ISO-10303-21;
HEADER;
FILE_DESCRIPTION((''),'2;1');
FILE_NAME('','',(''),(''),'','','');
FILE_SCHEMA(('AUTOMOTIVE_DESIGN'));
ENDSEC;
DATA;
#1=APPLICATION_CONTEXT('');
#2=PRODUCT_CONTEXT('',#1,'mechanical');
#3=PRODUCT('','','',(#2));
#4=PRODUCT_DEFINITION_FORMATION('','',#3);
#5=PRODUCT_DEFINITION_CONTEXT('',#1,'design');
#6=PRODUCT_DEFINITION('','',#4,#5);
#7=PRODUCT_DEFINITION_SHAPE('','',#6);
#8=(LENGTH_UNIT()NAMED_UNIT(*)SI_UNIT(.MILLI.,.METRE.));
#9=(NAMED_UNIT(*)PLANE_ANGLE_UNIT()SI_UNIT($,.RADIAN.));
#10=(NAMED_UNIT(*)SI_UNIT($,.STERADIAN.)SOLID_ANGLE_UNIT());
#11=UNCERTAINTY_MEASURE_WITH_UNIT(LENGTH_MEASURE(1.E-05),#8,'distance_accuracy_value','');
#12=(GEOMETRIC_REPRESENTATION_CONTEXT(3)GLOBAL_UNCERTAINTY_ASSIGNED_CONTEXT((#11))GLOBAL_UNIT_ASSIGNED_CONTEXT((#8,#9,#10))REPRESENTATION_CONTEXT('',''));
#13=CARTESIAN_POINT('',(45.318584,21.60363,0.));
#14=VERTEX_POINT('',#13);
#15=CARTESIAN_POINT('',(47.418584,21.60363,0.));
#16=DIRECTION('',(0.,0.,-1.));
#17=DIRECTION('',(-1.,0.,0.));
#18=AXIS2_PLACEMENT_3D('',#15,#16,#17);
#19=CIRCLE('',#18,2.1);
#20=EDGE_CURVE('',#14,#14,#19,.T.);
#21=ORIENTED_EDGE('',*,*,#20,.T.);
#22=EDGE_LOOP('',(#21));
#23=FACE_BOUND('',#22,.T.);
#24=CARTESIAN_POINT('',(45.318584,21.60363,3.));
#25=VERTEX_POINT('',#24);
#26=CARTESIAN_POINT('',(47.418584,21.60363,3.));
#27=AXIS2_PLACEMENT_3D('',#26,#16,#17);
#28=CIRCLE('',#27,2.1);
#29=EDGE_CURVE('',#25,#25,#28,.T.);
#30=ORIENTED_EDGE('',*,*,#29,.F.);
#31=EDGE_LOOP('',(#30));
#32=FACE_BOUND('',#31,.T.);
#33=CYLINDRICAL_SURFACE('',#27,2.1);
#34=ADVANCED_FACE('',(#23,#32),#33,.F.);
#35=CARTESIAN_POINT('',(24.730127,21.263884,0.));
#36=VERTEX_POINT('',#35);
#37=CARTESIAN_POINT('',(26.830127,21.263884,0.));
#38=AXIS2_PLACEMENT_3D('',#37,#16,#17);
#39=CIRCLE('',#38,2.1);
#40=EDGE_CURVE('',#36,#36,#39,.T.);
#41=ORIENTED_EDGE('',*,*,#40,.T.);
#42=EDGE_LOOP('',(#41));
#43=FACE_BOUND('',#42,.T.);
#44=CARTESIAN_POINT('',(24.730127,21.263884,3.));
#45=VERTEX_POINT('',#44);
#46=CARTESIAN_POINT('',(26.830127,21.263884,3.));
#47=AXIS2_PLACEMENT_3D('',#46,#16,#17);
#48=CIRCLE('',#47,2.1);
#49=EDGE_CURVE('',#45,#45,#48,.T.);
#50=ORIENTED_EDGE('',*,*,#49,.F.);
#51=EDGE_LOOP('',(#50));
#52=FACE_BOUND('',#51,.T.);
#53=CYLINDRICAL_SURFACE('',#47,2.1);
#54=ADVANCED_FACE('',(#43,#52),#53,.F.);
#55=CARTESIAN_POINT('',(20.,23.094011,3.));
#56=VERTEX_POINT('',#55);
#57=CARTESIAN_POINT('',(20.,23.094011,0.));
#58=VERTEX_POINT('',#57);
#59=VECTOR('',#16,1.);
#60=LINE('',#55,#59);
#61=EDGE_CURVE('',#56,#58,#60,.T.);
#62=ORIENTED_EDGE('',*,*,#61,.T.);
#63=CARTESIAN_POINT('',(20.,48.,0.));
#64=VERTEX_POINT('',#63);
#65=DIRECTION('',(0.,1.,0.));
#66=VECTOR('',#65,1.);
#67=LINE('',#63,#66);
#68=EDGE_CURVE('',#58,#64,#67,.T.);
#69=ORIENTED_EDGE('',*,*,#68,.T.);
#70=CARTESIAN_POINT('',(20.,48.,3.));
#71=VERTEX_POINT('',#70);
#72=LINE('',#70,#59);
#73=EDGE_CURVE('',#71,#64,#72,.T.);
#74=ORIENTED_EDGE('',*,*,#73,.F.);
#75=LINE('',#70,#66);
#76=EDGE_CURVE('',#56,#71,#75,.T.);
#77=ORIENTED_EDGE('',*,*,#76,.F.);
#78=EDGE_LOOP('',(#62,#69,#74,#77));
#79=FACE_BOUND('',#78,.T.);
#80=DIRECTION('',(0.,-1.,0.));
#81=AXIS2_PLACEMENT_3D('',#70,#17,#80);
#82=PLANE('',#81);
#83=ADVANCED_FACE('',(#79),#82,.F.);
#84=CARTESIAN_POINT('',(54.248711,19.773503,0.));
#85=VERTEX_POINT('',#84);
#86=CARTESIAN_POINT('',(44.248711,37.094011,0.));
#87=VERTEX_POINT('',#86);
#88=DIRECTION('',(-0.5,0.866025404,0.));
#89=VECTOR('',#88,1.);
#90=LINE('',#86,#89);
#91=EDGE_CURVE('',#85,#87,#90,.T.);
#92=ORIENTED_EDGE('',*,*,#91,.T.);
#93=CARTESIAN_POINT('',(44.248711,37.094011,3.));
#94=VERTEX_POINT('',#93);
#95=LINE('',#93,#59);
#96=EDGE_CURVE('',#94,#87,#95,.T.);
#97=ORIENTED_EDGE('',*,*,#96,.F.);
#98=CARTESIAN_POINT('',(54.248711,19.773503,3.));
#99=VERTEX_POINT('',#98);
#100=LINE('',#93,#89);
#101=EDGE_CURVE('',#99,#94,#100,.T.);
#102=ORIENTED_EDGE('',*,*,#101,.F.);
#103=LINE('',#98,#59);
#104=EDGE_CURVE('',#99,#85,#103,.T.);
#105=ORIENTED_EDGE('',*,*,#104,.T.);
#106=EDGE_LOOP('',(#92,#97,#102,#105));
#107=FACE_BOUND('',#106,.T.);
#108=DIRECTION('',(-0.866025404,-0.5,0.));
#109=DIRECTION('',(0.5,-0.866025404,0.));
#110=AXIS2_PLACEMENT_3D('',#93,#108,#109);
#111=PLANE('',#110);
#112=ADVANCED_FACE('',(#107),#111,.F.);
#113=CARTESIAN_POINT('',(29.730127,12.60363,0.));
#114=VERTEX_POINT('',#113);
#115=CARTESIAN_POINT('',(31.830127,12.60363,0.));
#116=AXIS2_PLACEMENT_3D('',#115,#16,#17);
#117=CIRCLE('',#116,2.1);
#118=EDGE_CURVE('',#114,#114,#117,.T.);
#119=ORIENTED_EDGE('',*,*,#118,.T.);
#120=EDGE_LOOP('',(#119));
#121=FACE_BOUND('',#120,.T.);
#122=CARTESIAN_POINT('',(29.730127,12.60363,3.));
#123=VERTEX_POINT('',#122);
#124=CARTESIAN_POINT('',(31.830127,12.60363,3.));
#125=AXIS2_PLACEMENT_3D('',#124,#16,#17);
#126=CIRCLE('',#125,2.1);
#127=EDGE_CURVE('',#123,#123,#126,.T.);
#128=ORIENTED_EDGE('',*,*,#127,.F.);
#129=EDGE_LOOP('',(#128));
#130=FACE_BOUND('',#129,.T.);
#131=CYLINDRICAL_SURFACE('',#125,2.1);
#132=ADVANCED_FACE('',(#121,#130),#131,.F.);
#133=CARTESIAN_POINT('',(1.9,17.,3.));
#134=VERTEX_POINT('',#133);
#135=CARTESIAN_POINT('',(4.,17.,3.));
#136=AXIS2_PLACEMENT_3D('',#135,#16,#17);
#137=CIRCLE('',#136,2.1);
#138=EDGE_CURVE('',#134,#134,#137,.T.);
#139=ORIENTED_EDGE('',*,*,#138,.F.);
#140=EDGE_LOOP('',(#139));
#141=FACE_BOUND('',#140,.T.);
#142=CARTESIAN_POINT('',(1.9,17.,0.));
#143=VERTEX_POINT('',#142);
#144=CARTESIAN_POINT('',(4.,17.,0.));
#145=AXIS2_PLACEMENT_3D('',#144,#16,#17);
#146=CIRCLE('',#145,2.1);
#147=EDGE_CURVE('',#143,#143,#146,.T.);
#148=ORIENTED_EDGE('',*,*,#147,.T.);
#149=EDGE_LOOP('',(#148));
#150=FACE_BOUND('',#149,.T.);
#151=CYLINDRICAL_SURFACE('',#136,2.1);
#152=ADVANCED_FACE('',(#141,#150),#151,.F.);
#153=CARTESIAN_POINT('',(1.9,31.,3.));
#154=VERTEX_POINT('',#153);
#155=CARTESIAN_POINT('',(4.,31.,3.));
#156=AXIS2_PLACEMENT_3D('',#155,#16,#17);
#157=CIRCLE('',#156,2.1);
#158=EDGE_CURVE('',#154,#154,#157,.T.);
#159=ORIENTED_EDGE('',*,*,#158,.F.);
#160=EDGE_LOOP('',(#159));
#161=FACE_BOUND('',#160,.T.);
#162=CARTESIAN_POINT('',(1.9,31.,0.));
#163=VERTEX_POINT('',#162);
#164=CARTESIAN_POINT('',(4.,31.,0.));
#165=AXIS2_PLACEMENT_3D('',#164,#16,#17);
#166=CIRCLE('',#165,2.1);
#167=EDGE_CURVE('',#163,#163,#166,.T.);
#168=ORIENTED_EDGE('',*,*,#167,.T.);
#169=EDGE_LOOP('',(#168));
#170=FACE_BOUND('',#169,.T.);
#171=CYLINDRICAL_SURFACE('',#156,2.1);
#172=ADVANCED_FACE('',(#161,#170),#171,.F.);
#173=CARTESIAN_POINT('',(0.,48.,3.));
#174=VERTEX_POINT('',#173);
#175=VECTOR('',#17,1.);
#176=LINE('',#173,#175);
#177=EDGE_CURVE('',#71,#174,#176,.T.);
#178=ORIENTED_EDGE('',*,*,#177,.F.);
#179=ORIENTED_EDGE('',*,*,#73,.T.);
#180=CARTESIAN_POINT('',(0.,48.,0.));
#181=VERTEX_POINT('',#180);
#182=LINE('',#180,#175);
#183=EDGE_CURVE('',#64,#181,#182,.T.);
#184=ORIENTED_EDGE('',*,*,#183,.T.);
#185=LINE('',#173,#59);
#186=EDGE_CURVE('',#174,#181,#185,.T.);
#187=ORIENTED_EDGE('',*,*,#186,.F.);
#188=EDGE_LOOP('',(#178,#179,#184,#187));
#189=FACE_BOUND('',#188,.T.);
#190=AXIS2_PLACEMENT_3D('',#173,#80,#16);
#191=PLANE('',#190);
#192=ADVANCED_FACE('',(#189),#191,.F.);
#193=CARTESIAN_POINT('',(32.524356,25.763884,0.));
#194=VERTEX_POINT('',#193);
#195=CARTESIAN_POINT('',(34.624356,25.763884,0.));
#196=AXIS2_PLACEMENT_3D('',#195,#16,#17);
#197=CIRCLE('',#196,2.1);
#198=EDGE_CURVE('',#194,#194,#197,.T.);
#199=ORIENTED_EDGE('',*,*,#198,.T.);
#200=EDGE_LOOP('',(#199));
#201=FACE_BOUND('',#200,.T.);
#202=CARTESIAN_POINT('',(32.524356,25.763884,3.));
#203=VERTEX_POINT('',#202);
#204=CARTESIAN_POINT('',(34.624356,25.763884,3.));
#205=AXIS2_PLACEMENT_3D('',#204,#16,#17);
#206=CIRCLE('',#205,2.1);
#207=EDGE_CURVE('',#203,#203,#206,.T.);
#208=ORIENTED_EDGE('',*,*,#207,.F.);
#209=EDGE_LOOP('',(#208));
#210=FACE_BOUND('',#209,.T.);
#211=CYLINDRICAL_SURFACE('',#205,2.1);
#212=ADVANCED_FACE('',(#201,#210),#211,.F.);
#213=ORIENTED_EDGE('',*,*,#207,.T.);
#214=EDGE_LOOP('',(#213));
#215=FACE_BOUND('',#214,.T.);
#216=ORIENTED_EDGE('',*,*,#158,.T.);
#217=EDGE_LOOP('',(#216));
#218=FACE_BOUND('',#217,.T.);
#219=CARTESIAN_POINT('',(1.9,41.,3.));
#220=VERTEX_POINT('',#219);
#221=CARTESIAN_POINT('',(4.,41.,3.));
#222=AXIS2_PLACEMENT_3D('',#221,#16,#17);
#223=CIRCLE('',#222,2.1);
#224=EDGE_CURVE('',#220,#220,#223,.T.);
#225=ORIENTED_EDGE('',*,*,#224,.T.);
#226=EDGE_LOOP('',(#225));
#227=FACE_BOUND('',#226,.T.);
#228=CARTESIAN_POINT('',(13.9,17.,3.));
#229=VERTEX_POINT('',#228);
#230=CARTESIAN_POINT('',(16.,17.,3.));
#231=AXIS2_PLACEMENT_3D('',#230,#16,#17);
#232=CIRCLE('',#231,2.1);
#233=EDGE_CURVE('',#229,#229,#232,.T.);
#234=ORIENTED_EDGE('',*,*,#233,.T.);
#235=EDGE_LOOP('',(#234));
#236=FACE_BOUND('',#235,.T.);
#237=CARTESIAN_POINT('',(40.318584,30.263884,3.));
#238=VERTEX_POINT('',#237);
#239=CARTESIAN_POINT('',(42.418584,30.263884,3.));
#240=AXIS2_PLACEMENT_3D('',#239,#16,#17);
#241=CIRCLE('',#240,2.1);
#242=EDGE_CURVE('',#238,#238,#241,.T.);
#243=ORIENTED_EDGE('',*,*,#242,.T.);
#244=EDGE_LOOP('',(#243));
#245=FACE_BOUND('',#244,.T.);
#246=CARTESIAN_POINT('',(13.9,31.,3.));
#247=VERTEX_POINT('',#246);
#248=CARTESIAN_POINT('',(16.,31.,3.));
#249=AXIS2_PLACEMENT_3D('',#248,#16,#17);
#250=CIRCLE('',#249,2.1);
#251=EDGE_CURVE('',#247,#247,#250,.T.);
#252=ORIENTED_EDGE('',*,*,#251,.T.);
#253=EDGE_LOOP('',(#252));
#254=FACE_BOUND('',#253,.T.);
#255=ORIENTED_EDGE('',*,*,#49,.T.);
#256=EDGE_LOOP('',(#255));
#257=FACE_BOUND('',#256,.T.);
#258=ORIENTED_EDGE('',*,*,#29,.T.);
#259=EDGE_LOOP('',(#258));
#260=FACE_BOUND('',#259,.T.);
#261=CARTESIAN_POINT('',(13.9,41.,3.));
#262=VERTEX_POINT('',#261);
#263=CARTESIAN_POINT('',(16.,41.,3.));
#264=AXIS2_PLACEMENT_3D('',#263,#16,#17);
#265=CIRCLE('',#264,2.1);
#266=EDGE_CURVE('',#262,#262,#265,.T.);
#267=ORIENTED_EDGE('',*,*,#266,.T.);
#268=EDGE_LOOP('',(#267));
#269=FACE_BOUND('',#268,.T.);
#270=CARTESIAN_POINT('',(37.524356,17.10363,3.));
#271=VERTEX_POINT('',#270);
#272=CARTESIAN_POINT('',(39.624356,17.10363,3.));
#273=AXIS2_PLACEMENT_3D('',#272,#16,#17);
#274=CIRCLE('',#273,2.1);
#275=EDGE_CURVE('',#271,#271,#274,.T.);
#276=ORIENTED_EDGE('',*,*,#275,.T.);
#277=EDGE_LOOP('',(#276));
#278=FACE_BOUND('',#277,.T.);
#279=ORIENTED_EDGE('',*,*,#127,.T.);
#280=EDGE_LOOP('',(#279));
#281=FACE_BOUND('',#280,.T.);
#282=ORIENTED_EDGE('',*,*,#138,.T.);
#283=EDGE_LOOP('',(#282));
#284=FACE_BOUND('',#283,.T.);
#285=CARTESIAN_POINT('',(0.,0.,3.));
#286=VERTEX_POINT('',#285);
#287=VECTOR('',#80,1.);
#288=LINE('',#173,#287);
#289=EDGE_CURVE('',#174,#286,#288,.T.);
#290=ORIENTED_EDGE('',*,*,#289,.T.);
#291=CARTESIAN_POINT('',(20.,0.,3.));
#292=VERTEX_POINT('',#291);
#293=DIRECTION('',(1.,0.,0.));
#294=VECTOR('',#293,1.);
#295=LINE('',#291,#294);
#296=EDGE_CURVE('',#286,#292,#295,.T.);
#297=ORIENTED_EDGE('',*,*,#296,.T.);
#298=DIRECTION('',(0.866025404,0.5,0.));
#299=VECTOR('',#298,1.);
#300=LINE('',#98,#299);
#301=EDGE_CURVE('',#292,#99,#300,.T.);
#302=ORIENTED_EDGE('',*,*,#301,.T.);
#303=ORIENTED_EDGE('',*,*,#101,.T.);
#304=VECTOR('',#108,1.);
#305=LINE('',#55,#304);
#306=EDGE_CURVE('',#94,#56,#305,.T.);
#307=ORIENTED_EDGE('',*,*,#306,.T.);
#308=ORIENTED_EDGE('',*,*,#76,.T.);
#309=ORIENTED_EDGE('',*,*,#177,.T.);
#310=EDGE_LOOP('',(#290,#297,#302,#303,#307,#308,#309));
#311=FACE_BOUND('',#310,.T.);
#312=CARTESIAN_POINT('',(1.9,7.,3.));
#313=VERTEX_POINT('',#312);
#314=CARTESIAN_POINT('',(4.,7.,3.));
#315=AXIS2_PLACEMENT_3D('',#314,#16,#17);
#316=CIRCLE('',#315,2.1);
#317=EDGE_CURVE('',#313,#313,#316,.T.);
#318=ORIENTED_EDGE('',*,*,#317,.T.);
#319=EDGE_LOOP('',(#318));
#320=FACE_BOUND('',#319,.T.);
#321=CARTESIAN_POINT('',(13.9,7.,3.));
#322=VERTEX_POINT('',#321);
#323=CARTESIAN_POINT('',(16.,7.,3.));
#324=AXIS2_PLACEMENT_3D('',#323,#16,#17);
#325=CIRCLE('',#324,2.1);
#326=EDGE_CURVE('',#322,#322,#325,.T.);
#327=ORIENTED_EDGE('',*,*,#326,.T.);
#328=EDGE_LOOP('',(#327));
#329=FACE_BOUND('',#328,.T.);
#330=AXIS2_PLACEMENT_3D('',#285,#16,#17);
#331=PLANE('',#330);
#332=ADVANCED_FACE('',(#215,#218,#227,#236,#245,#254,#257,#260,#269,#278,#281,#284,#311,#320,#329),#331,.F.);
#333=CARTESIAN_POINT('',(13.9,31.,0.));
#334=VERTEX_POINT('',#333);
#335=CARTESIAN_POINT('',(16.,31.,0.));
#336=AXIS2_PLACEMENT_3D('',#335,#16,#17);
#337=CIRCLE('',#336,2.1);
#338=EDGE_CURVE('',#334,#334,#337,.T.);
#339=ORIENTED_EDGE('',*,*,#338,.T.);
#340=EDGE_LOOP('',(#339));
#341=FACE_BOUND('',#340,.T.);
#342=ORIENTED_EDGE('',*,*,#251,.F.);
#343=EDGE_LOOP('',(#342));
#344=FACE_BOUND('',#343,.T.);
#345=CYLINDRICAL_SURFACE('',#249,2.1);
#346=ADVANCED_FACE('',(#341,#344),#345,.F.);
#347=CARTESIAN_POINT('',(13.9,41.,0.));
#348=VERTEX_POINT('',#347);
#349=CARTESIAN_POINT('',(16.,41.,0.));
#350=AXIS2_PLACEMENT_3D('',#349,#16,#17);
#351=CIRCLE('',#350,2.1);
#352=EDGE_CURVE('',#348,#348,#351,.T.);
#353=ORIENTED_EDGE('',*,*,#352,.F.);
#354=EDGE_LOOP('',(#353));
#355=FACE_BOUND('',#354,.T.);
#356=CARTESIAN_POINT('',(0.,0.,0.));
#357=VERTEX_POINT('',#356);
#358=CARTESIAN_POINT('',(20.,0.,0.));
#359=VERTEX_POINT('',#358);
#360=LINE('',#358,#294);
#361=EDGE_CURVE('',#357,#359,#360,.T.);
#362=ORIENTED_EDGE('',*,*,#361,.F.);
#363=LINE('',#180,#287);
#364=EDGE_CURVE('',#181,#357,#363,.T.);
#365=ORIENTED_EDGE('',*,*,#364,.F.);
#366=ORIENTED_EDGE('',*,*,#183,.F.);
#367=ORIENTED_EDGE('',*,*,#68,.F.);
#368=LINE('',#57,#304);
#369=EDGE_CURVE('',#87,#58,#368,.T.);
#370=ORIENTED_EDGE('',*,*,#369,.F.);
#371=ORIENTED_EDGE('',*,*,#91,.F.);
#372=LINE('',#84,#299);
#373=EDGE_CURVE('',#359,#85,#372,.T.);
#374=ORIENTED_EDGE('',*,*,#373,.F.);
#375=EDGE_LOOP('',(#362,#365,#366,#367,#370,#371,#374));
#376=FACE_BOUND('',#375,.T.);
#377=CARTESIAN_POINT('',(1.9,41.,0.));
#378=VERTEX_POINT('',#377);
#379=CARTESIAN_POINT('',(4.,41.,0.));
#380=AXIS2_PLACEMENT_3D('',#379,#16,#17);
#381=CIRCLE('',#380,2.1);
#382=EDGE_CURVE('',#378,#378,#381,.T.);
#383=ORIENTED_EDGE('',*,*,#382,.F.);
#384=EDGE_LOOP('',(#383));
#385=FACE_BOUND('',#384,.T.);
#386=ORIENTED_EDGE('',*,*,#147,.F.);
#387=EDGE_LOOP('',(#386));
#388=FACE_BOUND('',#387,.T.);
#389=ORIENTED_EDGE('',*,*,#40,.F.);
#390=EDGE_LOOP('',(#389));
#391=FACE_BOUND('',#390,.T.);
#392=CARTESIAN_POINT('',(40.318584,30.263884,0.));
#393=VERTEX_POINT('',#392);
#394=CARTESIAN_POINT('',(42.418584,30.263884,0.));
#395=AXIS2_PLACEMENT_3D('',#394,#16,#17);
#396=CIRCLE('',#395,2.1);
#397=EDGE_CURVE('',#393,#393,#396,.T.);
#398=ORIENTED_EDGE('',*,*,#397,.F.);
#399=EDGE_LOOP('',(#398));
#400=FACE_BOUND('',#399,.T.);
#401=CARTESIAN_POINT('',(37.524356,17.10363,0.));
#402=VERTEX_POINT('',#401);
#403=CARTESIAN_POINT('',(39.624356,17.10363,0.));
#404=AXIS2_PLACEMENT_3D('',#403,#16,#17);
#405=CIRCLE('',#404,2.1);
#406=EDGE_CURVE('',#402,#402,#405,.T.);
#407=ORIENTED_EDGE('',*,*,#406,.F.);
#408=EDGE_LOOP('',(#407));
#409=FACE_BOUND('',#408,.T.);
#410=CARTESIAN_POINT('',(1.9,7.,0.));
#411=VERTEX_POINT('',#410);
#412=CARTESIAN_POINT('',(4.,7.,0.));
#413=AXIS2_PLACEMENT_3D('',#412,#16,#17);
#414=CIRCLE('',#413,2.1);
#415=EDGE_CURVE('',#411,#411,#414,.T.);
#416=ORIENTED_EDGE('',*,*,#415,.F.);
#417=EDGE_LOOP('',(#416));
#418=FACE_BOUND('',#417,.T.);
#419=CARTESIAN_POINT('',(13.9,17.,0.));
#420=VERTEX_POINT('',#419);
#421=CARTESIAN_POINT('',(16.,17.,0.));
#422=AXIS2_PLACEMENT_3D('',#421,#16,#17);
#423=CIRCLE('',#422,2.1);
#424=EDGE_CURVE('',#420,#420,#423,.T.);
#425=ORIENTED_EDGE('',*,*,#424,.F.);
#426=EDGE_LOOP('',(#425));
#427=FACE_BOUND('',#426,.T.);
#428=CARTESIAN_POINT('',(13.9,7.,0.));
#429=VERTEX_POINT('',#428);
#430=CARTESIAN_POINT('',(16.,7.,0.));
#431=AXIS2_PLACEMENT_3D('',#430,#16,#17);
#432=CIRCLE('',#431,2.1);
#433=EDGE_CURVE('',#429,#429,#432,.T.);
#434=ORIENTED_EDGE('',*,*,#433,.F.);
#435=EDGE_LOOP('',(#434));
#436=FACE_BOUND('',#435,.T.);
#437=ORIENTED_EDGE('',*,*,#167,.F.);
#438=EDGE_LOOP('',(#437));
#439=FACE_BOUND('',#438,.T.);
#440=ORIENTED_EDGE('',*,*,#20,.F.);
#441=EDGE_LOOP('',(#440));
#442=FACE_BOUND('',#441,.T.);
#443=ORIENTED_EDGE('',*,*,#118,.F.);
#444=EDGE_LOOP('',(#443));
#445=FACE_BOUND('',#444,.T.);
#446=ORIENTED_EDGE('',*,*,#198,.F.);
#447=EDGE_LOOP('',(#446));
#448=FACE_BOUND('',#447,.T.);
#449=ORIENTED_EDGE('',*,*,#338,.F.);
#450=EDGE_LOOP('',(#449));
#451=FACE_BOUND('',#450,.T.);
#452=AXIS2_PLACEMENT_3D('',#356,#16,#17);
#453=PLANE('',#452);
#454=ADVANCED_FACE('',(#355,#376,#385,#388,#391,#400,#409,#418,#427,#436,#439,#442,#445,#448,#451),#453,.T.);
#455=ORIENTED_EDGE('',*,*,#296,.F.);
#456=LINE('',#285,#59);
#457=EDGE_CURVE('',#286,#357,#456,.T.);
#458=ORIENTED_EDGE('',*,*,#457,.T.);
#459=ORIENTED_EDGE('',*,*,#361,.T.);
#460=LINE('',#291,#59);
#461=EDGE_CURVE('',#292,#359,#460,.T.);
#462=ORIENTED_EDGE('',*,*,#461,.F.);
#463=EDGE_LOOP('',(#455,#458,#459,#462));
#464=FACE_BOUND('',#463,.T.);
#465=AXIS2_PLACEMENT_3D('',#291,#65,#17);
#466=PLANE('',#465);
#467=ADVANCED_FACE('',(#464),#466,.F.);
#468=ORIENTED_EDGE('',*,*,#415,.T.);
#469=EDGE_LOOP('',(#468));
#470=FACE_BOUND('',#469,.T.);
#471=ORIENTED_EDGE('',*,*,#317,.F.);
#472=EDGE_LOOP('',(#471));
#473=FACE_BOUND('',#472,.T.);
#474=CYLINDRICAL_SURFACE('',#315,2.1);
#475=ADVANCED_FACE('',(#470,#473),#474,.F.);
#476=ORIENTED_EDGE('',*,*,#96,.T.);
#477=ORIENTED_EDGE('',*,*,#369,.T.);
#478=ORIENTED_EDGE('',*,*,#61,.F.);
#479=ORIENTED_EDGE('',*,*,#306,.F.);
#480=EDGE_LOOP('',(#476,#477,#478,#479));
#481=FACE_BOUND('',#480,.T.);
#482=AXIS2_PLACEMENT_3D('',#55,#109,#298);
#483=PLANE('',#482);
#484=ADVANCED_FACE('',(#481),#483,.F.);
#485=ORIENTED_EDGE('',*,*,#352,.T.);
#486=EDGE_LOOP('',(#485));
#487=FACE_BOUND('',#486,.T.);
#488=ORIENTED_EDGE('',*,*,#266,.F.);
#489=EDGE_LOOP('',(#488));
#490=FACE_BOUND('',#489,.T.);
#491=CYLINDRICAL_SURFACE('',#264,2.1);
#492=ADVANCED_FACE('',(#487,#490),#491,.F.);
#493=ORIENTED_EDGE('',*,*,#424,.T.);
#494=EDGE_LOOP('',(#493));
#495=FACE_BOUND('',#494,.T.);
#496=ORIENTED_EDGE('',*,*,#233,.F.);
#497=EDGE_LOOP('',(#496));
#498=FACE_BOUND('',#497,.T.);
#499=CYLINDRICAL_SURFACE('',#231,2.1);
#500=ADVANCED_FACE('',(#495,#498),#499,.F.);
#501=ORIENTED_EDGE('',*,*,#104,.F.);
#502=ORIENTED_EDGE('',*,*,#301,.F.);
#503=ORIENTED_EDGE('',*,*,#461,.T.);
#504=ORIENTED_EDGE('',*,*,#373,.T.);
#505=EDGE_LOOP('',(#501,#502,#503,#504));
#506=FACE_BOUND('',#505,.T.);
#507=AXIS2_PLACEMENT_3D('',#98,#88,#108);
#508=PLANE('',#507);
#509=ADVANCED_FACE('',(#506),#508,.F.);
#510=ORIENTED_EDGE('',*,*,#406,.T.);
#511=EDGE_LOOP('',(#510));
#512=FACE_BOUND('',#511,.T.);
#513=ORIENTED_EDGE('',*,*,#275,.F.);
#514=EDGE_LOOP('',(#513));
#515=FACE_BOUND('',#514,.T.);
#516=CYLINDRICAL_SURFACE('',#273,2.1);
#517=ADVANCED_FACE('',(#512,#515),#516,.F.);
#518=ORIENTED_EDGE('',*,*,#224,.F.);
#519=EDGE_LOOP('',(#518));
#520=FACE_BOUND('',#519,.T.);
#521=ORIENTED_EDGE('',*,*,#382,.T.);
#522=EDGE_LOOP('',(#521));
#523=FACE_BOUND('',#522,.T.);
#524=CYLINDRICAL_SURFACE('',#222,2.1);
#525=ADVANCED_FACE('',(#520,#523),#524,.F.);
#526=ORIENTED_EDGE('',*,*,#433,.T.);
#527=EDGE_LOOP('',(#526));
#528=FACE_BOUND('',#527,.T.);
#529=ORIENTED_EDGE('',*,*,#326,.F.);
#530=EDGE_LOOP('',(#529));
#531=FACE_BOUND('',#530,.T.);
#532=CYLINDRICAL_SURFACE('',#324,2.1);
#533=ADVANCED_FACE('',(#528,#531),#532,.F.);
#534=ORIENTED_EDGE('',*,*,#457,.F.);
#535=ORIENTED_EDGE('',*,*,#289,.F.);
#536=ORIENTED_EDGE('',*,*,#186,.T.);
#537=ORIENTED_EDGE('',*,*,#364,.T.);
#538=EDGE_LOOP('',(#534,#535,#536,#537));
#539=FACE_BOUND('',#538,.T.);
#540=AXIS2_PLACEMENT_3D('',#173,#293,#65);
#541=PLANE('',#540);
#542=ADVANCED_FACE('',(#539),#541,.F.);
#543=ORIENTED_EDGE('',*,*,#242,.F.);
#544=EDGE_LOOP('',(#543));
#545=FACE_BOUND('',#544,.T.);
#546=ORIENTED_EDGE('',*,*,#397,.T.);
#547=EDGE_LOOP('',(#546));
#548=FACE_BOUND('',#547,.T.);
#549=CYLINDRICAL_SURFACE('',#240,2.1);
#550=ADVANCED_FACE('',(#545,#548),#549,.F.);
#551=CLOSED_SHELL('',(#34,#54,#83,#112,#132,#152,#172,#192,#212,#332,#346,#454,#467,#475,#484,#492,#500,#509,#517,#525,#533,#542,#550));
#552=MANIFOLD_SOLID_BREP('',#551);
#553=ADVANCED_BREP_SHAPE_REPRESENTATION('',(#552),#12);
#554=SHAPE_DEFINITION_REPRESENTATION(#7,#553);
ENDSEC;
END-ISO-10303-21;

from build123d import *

# Parameters (mm, degrees)
EXTRUDE_1_DEPTH     = 3
SKETCH_2_R          = 2.1
CUT_EXTRUDE_1_DEPTH = 3


with BuildPart() as part:
    # 草图1 → 凸台-拉伸1 (new body)
    with BuildSketch(Plane.XY):
        Polygon((0, 48), (0, 0), (20, 0), (54.248711306, 19.773502692), (44.248711306, 37.094010768), (20, 23.094010768), (20, 48), align=None)
    extrude(amount=EXTRUDE_1_DEPTH)

    # 草图2 → 切除-拉伸1 (cut)
    with BuildSketch(Plane(origin=(0, 0, 0), x_dir=(-1, 0, 0), z_dir=(0, 0, -1))):
        with Locations((-47.418584287, 21.603629711)):
            Circle(SKETCH_2_R)
        with Locations((-42.418584287, 30.263883749)):
            Circle(SKETCH_2_R)
        with Locations((-34.624355653, 25.763883749)):
            Circle(SKETCH_2_R)
        with Locations((-39.624355653, 17.103629711)):
            Circle(SKETCH_2_R)
        with Locations((-31.830127019, 12.603629711)):
            Circle(SKETCH_2_R)
        with Locations((-26.830127019, 21.263883749)):
            Circle(SKETCH_2_R)
        with Locations((-16, 7)):
            Circle(SKETCH_2_R)
        with Locations((-16, 17)):
            Circle(SKETCH_2_R)
        with Locations((-4, 7)):
            Circle(SKETCH_2_R)
        with Locations((-4, 17)):
            Circle(SKETCH_2_R)
        with Locations((-16, 31)):
            Circle(SKETCH_2_R)
        with Locations((-16, 41)):
            Circle(SKETCH_2_R)
        with Locations((-4, 31)):
            Circle(SKETCH_2_R)
        with Locations((-4, 41)):
            Circle(SKETCH_2_R)
    extrude(amount=-CUT_EXTRUDE_1_DEPTH, mode=Mode.SUBTRACT)


solid = part.part
